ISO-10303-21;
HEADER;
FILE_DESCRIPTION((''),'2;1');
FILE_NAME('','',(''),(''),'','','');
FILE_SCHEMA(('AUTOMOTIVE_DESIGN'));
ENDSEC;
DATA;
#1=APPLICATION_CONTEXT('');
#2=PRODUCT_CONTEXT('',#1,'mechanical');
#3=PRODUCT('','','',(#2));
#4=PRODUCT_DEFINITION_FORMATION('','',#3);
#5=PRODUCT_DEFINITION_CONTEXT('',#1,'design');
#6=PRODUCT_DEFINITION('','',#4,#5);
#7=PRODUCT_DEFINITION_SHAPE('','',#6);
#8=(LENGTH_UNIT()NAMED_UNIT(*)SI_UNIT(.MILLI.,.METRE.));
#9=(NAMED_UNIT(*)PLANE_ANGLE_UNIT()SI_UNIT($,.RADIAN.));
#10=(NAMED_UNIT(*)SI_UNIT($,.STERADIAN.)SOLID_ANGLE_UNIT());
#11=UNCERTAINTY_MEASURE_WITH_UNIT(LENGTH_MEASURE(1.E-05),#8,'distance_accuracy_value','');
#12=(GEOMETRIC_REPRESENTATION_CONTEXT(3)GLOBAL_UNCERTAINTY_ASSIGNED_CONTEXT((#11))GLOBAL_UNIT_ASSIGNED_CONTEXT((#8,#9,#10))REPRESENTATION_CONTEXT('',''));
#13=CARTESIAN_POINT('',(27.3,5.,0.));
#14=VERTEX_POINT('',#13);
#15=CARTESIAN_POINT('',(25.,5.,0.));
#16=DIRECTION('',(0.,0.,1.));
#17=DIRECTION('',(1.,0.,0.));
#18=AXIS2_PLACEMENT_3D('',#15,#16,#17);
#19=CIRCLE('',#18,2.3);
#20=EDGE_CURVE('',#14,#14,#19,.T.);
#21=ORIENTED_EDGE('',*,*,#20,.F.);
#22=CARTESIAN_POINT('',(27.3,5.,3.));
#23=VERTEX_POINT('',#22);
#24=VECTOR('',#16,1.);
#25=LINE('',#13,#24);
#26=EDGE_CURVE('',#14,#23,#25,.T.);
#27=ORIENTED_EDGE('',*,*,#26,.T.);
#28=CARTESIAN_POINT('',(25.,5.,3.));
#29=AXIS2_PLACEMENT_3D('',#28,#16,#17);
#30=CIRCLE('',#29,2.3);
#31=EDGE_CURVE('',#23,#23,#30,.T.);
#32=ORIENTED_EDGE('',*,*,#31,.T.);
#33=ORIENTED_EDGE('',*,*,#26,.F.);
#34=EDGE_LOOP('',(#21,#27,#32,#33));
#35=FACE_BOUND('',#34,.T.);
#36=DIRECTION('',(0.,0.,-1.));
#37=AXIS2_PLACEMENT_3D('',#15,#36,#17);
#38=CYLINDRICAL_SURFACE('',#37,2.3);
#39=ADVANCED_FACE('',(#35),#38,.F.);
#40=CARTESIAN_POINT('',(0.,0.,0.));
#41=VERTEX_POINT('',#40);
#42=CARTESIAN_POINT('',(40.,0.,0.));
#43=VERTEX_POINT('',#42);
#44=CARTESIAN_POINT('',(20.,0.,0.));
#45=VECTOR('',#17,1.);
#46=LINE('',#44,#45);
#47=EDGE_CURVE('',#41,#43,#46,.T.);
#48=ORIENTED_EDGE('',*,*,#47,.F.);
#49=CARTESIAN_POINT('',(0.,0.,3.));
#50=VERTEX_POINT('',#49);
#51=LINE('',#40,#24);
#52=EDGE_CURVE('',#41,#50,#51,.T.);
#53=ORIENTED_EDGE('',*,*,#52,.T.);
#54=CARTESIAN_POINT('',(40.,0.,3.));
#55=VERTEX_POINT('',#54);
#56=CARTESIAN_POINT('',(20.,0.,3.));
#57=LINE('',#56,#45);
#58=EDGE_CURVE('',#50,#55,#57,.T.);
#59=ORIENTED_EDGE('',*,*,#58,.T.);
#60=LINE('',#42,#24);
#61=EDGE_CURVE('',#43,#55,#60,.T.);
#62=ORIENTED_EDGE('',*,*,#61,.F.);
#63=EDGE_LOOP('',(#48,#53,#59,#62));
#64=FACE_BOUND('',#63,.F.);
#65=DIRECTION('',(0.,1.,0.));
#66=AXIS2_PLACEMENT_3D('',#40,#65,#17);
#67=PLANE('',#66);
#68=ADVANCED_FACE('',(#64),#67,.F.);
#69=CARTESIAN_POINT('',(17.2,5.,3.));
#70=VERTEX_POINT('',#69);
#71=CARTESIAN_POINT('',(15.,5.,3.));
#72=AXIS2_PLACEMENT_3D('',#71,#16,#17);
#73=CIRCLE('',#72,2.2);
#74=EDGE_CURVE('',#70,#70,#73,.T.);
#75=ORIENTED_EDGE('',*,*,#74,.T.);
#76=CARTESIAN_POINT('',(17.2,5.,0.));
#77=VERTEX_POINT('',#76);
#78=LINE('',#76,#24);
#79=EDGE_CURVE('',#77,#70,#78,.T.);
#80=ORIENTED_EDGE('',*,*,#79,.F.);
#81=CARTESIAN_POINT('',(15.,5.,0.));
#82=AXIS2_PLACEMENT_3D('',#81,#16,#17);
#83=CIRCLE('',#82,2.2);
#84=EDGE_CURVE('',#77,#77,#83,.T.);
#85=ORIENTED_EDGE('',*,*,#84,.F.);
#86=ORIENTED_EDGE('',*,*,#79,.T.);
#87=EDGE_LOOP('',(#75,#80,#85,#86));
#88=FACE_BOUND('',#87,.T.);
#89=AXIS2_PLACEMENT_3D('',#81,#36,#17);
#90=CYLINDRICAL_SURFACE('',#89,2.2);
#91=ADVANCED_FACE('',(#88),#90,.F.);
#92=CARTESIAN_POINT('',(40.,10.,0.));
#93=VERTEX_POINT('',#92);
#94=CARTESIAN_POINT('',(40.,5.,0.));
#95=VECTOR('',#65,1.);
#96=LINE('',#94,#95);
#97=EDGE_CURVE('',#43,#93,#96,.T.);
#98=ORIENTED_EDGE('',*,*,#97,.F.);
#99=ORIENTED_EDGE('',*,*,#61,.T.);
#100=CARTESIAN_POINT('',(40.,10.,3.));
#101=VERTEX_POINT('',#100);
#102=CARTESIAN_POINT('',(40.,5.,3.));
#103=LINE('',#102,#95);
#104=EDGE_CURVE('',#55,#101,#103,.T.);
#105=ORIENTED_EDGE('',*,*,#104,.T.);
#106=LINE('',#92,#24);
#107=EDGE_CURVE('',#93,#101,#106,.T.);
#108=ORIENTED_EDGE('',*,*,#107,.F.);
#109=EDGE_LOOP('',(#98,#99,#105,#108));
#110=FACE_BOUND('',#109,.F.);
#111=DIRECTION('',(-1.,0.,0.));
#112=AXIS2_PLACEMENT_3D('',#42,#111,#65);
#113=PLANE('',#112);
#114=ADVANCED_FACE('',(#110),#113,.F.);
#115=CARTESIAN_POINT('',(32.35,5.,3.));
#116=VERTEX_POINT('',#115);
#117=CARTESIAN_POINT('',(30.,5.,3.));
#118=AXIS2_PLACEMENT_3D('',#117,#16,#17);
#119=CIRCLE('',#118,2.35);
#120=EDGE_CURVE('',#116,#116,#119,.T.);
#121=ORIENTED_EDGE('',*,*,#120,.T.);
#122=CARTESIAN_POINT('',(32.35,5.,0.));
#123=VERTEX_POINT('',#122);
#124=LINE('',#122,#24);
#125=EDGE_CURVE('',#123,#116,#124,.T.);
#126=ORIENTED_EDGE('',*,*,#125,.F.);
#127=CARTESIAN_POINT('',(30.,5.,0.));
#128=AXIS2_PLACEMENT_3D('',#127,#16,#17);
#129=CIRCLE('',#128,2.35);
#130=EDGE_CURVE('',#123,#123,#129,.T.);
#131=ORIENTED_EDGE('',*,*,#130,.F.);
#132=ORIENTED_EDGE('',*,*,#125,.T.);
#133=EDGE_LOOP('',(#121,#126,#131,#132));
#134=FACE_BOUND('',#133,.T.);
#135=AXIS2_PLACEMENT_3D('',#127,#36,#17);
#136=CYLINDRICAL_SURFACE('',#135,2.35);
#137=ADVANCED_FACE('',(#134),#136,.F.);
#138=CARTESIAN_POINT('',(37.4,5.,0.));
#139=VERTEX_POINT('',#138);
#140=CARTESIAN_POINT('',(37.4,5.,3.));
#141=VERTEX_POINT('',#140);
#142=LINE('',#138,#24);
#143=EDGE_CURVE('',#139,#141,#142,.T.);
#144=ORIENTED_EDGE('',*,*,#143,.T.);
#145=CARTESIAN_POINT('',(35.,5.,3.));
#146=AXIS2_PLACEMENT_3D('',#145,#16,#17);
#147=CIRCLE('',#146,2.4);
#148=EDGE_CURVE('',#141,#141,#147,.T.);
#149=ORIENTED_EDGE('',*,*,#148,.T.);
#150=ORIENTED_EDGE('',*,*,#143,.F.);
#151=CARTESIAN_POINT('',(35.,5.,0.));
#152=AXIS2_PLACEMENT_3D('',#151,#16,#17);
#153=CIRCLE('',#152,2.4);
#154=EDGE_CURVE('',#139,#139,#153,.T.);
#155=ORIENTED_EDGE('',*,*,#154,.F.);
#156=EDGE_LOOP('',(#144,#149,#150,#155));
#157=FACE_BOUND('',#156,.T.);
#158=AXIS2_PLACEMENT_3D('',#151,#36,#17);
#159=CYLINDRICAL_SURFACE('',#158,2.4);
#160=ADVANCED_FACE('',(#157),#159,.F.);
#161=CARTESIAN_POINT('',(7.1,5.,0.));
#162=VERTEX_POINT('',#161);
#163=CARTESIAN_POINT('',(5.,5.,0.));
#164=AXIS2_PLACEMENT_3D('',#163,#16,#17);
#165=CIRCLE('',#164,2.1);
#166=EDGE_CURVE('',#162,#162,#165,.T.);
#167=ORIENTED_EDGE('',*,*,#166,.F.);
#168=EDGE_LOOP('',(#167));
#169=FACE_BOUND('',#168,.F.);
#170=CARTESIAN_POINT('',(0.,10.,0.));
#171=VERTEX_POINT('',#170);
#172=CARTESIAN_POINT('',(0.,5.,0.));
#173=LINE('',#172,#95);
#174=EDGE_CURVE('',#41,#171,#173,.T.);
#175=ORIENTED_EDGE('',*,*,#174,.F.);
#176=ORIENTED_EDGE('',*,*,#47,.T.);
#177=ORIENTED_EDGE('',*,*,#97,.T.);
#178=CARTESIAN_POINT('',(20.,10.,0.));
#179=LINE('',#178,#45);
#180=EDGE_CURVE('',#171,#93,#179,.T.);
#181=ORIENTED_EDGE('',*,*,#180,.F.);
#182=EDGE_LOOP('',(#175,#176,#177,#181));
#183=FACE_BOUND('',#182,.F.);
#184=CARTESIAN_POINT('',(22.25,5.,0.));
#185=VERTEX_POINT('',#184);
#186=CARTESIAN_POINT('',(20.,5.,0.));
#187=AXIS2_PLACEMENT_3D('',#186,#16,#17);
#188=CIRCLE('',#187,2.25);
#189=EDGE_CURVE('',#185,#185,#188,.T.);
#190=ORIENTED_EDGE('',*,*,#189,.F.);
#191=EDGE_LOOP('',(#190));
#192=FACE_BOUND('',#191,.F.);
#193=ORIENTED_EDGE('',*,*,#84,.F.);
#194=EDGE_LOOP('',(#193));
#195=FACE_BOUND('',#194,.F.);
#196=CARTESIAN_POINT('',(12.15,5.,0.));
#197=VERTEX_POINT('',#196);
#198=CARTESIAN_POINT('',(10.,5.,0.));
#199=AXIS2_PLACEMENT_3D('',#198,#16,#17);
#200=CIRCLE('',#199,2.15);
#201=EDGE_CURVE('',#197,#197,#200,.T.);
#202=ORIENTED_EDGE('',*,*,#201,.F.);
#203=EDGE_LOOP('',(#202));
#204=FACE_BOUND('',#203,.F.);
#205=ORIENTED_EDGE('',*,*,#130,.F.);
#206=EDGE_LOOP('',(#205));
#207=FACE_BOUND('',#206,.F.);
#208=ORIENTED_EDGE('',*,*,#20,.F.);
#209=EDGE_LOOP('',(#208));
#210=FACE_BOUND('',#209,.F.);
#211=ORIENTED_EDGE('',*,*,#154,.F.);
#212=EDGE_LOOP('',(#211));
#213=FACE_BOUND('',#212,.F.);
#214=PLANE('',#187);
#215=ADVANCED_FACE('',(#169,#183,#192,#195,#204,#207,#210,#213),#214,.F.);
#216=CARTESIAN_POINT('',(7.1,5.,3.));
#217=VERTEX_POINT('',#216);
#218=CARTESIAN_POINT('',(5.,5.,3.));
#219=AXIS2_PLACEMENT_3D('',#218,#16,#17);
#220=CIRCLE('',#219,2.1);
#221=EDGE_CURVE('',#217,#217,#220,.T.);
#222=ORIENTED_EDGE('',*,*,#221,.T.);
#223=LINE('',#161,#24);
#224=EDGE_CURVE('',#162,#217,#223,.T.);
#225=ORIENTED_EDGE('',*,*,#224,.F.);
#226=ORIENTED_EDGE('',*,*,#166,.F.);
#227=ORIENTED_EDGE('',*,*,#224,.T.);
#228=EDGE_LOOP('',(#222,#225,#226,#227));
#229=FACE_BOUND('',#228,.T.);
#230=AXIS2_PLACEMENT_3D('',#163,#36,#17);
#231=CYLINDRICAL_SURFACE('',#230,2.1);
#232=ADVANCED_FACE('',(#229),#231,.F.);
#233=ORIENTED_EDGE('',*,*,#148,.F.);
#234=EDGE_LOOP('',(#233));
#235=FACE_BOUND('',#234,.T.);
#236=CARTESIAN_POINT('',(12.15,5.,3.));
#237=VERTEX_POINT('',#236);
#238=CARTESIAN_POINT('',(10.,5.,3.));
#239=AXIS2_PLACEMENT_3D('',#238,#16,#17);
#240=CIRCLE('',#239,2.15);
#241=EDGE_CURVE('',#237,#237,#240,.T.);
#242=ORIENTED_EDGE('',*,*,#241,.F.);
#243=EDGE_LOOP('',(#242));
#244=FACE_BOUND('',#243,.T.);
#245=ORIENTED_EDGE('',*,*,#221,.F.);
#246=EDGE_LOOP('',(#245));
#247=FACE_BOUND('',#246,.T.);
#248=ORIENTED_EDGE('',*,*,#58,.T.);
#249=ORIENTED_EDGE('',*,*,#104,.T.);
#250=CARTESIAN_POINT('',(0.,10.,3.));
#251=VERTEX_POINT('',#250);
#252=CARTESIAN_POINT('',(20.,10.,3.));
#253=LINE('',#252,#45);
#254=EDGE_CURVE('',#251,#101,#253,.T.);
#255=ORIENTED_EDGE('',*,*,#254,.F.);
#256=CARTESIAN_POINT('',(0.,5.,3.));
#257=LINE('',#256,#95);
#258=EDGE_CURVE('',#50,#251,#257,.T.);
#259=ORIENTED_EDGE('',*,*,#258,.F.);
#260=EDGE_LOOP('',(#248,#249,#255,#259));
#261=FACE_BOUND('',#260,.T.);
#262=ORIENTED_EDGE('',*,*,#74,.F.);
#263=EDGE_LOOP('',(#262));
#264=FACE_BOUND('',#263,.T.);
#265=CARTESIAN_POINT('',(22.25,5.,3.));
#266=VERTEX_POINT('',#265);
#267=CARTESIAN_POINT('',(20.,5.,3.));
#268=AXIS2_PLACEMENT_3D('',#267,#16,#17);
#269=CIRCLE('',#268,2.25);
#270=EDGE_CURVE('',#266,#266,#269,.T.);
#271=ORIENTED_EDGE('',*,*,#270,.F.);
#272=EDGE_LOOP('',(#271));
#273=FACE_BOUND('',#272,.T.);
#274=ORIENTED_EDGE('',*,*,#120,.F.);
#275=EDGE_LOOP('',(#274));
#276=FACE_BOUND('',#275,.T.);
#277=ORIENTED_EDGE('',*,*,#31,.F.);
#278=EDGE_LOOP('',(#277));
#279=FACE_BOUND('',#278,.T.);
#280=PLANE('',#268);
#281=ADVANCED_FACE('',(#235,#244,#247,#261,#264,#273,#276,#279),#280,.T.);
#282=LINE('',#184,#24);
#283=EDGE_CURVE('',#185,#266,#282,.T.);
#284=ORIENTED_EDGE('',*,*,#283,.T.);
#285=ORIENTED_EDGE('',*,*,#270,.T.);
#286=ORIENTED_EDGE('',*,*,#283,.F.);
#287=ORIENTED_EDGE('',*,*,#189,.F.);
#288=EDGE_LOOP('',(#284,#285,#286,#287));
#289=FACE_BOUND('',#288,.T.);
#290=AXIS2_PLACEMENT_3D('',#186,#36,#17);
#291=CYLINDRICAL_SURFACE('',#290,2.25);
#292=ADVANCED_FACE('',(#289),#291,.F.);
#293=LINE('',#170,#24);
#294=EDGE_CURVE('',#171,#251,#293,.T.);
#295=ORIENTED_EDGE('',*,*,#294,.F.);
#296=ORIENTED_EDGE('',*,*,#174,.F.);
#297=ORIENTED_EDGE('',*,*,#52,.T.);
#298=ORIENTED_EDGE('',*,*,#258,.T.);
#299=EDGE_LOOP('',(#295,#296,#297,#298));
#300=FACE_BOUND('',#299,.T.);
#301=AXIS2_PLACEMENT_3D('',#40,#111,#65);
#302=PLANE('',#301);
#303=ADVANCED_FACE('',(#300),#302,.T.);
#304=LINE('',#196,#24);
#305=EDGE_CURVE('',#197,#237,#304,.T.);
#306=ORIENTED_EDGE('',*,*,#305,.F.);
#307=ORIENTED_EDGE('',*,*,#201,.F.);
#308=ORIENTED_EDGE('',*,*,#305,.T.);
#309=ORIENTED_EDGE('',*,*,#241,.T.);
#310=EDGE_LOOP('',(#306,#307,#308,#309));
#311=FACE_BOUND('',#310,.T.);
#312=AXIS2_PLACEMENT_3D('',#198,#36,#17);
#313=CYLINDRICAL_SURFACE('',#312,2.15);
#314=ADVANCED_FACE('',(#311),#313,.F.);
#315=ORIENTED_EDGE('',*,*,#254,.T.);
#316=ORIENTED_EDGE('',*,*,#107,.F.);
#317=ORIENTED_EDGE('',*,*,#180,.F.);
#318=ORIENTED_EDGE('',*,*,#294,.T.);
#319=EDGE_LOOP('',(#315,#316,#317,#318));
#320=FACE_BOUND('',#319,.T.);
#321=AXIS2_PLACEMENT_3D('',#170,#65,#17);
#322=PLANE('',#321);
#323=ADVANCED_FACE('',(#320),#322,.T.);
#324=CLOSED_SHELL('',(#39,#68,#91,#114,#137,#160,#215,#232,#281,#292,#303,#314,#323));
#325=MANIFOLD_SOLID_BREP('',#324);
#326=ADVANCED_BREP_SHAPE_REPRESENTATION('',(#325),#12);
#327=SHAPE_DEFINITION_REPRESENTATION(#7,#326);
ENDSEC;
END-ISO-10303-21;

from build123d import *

# Parameters (mm, degrees)
SKETCH_W   = 40
SKETCH_H   = 10
SKETCH_R   = 2.1
SKETCH_R_2 = 2.2
SKETCH_R_3 = 2.15
SKETCH_R_4 = 2.25
SKETCH_R_5 = 2.3
SKETCH_R_6 = 2.35
SKETCH_R_7 = 2.4
PAD_DEPTH  = 3


with BuildPart() as part:
    # Sketch → Pad (new body)
    with BuildSketch(Plane.XY):
        with Locations((20, 5)):
            Rectangle(SKETCH_W, SKETCH_H)
        with Locations((5, 5)):
            Circle(SKETCH_R, mode=Mode.SUBTRACT)
        with Locations((15, 5)):
            Circle(SKETCH_R_2, mode=Mode.SUBTRACT)
        with Locations((10, 5)):
            Circle(SKETCH_R_3, mode=Mode.SUBTRACT)
        with Locations((20, 5)):
            Circle(SKETCH_R_4, mode=Mode.SUBTRACT)
        with Locations((25, 5)):
            Circle(SKETCH_R_5, mode=Mode.SUBTRACT)
        with Locations((30, 5)):
            Circle(SKETCH_R_6, mode=Mode.SUBTRACT)
        with Locations((35, 5)):
            Circle(SKETCH_R_7, mode=Mode.SUBTRACT)
    extrude(amount=PAD_DEPTH)


solid = part.part
